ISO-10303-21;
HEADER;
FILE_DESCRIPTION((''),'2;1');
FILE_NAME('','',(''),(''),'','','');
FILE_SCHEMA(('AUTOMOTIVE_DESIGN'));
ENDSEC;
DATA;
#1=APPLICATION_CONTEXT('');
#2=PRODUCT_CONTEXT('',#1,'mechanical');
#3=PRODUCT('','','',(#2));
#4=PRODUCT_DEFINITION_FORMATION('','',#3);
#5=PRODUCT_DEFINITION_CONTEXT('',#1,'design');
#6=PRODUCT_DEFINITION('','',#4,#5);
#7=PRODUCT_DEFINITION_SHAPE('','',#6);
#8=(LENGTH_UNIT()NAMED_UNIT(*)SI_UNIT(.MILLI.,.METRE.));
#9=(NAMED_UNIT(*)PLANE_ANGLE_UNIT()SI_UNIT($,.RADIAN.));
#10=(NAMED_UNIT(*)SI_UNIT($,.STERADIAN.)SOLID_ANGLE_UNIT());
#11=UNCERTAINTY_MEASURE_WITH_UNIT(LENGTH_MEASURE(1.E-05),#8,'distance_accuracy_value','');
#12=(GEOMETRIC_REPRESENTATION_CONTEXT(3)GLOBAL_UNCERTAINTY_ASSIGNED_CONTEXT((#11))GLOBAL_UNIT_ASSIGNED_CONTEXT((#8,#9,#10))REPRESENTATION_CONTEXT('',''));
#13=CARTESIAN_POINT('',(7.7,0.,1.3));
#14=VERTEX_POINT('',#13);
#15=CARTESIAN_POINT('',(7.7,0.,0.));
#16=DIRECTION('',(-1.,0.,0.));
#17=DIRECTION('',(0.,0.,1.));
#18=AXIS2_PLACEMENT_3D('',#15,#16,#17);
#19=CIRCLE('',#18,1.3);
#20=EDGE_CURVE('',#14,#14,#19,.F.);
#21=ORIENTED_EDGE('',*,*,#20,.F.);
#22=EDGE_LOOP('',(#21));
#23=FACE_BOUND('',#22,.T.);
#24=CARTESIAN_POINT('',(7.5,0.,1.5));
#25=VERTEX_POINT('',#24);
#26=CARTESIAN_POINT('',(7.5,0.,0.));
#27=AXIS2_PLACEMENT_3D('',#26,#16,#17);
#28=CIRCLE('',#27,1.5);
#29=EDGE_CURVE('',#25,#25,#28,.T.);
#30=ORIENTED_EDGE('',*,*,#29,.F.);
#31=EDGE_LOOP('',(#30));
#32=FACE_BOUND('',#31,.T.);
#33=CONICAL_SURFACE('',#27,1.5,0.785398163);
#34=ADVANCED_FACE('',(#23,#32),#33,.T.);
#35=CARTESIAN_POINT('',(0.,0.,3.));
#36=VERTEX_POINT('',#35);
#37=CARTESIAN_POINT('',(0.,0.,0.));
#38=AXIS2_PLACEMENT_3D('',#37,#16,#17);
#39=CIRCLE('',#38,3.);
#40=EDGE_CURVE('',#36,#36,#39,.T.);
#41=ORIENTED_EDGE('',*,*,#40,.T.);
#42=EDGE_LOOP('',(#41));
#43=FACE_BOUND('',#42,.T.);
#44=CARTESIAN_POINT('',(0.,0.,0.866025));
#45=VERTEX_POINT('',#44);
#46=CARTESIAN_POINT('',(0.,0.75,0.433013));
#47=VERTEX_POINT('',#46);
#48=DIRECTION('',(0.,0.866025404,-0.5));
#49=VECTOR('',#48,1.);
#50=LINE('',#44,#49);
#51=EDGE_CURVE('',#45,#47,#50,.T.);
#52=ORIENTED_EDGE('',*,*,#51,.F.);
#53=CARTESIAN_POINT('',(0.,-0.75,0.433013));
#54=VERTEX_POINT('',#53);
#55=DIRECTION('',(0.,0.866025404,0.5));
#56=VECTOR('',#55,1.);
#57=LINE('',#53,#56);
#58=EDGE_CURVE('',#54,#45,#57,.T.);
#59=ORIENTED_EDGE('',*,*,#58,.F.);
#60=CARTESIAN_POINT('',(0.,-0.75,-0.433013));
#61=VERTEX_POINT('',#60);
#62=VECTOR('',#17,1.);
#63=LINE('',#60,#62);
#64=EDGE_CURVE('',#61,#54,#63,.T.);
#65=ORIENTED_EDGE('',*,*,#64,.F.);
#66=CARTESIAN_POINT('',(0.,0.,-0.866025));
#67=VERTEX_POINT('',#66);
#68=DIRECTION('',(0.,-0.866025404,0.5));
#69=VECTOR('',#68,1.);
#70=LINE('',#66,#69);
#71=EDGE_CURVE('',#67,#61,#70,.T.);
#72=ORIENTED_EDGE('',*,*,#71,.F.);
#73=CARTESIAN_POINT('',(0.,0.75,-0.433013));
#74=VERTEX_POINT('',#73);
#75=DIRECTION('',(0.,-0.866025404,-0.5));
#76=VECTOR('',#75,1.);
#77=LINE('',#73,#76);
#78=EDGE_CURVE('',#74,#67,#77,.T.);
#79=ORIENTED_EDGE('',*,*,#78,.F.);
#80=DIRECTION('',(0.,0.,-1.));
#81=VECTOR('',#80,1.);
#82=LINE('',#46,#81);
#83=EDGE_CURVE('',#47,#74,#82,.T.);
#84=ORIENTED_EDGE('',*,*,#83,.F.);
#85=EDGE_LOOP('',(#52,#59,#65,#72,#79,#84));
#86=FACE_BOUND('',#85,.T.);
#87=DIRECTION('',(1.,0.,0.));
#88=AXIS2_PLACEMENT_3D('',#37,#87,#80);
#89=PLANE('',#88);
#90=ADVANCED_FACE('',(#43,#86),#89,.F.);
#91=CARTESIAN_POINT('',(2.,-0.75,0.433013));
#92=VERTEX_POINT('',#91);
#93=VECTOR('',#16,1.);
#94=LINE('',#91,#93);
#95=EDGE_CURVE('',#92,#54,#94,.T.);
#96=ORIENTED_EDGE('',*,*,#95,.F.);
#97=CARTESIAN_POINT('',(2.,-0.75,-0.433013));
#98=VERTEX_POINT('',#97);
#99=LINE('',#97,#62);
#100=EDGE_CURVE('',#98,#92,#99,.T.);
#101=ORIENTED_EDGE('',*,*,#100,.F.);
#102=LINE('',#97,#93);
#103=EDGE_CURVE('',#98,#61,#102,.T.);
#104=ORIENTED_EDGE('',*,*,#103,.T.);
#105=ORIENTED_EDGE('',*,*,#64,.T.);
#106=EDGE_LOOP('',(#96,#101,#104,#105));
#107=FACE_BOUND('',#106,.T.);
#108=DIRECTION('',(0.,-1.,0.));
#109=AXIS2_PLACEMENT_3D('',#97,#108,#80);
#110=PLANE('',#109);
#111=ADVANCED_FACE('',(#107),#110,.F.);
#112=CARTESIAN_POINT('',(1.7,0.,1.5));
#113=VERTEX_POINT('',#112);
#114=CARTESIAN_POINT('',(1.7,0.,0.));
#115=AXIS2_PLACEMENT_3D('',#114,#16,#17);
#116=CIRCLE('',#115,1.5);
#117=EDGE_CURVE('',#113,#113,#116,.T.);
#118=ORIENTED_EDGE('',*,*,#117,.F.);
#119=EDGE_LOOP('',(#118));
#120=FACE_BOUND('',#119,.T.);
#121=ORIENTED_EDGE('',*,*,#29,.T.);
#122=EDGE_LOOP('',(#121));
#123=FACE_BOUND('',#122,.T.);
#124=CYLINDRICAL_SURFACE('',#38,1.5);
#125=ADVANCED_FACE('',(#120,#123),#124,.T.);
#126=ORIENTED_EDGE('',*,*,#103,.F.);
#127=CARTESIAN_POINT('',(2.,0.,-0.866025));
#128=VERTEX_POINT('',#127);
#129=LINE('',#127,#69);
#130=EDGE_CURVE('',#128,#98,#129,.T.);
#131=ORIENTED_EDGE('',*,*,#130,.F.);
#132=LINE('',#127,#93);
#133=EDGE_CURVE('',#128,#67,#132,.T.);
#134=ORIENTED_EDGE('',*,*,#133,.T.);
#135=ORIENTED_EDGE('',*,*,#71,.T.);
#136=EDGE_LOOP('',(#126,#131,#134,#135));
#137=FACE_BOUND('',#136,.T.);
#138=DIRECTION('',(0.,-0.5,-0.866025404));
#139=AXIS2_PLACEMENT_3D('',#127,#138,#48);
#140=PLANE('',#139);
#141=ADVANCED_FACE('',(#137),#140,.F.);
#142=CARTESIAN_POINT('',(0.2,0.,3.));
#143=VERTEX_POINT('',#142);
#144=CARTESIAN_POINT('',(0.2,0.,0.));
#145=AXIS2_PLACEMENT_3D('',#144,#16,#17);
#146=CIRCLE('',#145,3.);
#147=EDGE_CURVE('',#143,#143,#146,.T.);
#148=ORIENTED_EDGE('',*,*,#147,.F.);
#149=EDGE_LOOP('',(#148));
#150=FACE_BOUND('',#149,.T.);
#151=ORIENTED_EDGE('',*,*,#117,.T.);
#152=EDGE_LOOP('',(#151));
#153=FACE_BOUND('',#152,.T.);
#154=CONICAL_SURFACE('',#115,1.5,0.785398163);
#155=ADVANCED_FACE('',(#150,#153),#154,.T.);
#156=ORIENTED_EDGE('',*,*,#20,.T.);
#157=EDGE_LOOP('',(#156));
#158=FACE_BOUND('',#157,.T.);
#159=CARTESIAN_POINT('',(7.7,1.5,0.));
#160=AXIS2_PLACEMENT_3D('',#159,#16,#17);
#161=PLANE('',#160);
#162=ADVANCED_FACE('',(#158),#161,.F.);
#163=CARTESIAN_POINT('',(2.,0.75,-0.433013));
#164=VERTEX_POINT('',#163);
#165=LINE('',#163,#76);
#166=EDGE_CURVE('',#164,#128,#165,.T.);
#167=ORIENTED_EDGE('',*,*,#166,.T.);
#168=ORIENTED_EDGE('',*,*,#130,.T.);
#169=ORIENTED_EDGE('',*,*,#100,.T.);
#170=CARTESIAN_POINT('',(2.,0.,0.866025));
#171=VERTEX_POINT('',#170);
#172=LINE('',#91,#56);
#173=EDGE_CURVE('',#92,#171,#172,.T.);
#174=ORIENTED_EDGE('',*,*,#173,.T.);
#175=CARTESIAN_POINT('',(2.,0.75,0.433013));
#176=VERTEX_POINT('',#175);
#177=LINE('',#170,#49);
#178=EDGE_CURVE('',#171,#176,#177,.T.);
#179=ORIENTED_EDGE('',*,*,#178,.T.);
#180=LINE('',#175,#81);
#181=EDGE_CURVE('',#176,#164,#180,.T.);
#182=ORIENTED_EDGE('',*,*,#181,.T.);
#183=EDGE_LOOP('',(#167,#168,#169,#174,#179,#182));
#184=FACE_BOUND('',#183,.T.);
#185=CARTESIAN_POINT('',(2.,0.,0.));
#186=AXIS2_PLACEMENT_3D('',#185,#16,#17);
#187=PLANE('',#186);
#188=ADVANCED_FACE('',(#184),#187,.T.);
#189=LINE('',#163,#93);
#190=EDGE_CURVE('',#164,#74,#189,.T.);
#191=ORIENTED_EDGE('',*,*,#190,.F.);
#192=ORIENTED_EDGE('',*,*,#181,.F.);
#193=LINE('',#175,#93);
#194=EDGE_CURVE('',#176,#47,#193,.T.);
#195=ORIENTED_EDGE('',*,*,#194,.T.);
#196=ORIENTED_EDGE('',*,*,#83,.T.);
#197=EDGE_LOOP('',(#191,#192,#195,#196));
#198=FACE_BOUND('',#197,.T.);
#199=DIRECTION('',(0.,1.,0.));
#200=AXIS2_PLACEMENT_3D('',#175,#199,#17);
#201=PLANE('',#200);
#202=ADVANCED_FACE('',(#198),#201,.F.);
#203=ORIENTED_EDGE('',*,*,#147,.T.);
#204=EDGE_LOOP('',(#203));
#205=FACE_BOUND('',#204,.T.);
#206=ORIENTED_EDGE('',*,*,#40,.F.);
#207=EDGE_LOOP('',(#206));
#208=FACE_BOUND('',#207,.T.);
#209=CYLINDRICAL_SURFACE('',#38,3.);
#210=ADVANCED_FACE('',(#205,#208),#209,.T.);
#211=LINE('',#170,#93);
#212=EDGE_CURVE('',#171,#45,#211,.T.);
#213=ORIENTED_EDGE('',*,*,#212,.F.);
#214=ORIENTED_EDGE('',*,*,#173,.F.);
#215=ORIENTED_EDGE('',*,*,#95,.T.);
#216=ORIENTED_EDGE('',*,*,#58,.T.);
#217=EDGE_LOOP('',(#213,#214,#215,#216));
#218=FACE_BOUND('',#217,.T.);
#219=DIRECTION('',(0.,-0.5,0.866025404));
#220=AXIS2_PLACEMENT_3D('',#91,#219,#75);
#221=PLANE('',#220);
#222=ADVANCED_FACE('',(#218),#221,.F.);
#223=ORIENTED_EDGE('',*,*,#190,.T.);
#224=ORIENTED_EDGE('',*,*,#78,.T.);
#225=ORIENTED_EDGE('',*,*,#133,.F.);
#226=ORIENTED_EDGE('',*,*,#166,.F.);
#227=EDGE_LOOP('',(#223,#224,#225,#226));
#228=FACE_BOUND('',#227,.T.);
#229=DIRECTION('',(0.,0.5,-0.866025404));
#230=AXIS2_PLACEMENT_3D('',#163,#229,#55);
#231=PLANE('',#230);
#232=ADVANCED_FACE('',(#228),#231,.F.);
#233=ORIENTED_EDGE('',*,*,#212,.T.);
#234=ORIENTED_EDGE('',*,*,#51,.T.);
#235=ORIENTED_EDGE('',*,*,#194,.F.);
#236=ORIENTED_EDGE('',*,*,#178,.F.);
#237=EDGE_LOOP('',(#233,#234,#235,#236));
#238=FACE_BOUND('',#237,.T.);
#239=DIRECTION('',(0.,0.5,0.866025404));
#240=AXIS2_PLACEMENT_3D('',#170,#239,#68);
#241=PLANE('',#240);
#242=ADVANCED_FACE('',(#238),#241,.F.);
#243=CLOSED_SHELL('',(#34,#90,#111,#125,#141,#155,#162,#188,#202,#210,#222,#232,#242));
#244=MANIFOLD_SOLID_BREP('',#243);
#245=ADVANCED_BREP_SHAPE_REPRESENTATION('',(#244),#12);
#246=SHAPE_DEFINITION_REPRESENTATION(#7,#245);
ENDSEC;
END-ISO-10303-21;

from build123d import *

# Parameters (mm, degrees)
ENL_V_MAT_EXTRU_1_DEPTH = 2
CHANFREIN1_SIZE         = 0.2


with BuildPart() as part:
    # Esquisse1 → Révolution1 (revolve)
    with BuildSketch(Plane.XY):
        Polygon((0, 0), (0, 3), (0.2, 3), (1.7, 1.5), (7.7, 1.5), (7.7, 0), align=None)
    revolve(axis=Axis((0, 0, 0), (1, 0, 0)))

    # Esquisse2 → Enlèv. mat.-Extru.1 (cut)
    with BuildSketch(Plane.ZY):
        Polygon((0.433012702, -0.75), (0.866025404, 0), (0.433012702, 0.75), (-0.433012702, 0.75), (-0.866025404, 0), (-0.433012702, -0.75), align=None)
    extrude(amount=-ENL_V_MAT_EXTRU_1_DEPTH, mode=Mode.SUBTRACT)

    # Chanfrein1
    chanfrein1_edges = [part.edges().sort_by_distance(p)[0] for p in [
        (7.7, -1.5, 0),
    ]]
    chamfer(chanfrein1_edges, length=CHANFREIN1_SIZE)


solid = part.part
